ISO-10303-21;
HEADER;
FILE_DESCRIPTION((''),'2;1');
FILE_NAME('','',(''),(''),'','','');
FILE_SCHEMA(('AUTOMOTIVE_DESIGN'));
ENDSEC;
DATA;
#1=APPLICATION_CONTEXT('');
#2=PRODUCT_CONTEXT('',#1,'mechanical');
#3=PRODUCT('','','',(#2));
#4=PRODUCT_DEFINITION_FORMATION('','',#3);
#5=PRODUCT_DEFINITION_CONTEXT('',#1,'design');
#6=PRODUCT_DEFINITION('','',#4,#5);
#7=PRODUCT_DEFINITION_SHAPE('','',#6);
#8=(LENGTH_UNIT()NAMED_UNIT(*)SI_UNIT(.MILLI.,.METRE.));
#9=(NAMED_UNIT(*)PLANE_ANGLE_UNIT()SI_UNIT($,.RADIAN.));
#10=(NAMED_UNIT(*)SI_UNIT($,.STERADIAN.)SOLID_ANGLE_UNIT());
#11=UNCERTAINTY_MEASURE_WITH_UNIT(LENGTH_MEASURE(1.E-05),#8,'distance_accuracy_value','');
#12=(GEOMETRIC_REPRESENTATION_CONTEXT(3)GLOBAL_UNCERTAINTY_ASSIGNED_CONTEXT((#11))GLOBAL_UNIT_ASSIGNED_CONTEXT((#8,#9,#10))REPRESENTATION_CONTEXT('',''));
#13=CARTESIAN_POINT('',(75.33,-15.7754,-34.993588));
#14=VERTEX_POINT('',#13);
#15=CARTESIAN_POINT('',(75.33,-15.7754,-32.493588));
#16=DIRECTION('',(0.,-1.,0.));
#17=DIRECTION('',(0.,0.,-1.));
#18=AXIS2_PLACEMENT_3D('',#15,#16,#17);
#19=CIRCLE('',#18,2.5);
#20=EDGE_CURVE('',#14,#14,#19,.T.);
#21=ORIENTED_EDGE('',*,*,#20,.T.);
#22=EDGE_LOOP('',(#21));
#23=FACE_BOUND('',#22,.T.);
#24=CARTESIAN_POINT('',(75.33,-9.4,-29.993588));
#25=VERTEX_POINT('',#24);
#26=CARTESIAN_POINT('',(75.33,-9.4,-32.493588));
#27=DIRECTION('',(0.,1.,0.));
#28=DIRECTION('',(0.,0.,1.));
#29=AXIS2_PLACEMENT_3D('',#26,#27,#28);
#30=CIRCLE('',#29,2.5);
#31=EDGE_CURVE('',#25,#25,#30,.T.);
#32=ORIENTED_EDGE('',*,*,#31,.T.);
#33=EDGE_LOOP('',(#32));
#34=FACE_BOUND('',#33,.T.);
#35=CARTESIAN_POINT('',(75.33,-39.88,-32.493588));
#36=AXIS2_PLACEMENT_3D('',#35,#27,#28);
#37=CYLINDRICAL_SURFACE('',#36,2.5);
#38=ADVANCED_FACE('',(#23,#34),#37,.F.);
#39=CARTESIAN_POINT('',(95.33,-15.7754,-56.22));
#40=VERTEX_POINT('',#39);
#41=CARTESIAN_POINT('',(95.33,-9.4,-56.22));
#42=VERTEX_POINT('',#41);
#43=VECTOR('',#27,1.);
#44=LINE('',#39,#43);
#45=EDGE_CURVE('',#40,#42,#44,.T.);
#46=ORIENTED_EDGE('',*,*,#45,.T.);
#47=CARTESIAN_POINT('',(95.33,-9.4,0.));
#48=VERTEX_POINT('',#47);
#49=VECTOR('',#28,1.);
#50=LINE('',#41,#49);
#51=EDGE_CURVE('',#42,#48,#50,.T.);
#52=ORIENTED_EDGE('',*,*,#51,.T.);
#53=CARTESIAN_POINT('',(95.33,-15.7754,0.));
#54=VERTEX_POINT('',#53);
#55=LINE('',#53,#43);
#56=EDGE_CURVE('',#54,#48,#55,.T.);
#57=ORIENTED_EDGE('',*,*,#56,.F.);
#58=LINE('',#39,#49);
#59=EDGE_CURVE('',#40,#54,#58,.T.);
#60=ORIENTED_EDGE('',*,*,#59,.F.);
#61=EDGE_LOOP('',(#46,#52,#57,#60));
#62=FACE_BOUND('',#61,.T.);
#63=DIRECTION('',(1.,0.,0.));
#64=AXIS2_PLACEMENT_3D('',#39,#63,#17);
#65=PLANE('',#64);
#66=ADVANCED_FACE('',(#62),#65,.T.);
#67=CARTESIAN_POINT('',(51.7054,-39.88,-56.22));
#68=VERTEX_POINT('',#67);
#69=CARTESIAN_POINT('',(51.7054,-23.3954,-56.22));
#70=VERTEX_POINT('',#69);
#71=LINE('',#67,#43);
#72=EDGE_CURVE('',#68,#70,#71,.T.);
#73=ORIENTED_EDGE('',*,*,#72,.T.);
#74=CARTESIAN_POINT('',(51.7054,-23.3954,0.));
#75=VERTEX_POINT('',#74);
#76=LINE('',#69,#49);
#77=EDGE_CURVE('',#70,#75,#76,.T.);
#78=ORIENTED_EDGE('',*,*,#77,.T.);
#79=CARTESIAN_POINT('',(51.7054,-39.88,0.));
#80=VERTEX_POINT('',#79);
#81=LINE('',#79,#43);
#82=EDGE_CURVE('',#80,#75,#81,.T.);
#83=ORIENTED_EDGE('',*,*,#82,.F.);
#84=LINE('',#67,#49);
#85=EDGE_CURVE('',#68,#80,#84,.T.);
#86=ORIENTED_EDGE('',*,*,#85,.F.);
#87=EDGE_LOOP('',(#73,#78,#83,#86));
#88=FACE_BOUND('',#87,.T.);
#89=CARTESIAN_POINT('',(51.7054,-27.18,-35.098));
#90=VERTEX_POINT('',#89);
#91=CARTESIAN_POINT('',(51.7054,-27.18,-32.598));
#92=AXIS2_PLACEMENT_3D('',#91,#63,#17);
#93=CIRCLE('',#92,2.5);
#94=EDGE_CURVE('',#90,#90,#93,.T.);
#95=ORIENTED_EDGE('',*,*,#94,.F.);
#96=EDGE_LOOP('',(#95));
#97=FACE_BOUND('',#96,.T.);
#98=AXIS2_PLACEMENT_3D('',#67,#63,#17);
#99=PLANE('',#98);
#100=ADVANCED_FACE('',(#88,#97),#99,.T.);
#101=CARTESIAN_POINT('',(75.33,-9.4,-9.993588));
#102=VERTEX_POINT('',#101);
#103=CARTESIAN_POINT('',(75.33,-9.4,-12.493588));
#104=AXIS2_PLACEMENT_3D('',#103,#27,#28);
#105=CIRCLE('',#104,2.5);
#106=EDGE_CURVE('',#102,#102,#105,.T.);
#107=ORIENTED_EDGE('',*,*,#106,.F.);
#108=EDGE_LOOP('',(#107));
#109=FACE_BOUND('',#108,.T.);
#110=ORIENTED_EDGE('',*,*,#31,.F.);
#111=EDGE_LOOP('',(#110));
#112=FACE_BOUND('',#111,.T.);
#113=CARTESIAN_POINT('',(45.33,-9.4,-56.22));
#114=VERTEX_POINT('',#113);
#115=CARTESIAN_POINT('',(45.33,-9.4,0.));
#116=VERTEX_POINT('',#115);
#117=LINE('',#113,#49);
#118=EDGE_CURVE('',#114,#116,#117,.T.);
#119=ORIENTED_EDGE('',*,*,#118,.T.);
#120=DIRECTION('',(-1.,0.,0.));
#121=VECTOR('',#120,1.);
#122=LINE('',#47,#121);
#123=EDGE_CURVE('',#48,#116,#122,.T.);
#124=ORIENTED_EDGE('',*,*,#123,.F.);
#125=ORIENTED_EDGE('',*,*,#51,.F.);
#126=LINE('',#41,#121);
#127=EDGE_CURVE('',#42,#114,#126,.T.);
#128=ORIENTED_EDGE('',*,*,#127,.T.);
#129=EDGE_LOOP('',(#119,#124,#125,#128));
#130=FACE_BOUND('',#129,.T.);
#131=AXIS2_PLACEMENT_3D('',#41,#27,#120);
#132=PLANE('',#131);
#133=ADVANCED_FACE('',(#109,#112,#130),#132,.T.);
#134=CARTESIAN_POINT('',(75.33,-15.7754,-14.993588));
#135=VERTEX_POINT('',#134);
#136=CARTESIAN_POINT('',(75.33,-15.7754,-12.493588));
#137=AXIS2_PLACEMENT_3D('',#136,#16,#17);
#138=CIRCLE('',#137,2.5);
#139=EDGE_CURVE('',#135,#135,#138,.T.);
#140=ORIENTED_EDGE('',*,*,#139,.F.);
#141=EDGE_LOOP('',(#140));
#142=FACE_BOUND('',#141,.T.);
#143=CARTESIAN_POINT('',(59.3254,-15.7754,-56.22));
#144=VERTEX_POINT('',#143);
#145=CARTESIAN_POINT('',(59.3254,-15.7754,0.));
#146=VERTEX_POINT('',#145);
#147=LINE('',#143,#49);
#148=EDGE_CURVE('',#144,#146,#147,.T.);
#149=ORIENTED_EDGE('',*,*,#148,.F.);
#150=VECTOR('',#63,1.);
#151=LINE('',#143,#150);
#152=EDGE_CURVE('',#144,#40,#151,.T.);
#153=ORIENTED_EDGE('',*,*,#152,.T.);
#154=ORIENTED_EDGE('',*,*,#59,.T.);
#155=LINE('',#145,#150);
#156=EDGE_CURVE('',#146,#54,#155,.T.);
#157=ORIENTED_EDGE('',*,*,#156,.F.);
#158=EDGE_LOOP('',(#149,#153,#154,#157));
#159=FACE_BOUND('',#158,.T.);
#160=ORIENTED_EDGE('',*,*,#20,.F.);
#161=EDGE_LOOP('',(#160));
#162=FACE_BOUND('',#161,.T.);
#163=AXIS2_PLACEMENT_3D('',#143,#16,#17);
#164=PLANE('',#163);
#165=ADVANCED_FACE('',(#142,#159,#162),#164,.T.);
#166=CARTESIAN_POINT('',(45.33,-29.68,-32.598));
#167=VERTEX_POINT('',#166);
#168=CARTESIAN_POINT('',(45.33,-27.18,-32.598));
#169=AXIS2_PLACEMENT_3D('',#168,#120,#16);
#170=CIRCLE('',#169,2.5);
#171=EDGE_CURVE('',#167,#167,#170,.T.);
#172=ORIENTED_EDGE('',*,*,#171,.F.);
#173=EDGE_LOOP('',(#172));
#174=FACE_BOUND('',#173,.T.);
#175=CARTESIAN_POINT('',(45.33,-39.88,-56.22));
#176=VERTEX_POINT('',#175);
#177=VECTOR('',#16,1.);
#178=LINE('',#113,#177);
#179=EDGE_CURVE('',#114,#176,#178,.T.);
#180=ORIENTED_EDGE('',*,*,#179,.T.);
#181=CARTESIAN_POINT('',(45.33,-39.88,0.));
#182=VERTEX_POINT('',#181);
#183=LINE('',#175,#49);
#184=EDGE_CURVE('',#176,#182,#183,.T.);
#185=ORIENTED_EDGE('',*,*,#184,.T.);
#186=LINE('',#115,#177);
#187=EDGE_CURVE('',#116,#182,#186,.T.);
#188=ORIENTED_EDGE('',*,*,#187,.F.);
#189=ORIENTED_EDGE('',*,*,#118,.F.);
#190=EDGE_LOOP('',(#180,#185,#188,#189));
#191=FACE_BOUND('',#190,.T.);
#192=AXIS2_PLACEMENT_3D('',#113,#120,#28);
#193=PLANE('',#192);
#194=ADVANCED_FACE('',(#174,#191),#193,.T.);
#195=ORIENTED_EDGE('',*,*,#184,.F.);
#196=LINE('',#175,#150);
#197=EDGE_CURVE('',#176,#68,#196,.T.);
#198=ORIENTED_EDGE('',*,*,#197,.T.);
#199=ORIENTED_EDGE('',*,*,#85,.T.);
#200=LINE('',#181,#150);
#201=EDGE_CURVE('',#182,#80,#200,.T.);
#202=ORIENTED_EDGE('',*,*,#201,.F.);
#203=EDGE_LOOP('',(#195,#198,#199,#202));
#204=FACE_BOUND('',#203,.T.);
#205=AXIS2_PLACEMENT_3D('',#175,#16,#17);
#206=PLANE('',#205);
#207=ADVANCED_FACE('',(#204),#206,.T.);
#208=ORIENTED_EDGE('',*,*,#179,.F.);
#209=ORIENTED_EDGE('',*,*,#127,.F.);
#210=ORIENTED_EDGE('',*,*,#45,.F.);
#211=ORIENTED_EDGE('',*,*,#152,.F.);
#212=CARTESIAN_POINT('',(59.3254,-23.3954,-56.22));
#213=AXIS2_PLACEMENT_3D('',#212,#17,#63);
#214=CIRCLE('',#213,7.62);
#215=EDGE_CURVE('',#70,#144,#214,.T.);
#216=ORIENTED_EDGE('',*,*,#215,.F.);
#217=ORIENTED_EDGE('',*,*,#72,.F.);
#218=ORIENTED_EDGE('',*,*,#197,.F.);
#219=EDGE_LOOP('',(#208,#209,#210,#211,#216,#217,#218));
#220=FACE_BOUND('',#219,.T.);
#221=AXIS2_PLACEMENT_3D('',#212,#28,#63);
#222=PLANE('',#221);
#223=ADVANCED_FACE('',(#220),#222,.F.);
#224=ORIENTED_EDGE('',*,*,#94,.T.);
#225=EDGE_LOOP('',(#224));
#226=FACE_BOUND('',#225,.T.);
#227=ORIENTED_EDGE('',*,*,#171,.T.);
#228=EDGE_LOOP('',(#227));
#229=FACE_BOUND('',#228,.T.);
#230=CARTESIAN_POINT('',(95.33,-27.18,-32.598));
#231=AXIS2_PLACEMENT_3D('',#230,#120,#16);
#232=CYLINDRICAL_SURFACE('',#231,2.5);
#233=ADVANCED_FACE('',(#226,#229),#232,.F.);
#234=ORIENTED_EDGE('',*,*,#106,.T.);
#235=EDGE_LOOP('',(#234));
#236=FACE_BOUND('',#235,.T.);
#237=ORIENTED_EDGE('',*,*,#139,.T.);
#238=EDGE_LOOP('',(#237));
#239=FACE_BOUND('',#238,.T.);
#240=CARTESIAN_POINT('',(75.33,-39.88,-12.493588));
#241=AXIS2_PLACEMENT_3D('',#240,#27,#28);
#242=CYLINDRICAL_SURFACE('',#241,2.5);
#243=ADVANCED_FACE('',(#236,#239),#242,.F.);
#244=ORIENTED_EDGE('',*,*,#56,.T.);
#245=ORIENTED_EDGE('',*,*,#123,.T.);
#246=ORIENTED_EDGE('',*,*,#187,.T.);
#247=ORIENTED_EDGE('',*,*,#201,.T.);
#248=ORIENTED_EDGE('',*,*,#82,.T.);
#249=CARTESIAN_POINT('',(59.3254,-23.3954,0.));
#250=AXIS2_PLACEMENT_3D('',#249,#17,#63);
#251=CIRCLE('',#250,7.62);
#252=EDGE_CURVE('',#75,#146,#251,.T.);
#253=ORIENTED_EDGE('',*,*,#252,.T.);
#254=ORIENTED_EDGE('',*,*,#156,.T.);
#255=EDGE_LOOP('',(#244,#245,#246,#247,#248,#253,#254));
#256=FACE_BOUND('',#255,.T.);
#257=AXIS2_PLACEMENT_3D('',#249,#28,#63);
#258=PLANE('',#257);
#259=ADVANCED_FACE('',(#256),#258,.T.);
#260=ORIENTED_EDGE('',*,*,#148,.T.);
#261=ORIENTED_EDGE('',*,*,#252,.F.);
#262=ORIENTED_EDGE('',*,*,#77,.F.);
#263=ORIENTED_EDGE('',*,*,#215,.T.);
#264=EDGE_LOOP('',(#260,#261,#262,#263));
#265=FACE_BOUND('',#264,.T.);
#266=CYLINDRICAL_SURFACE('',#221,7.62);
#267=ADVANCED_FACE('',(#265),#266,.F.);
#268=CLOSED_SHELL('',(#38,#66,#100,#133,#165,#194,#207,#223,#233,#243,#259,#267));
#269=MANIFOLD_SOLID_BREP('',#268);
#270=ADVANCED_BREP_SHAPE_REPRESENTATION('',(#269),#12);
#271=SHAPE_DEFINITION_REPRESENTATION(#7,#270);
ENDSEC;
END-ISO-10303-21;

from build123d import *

# Parameters (mm, degrees)
BOSS_EXTRUDE1_DEPTH = 56.22
SKETCH2_R           = 2.5
CUT_EXTRUDE1_DEPTH  = 31.48
SKETCH4_R           = 2.5
CUT_EXTRUDE2_DEPTH  = 51


with BuildPart() as part:
    # Sketch1 → Boss-Extrude1 (new body)
    with BuildSketch(Plane.XY):
        with BuildLine():
            Line((45.33, -9.4), (45.33, -39.88))
            Line((45.33, -39.88), (51.7054, -39.88))
            Line((51.7054, -39.88), (51.7054, -23.3954))
            ThreePointArc((51.7054, -23.3954), (53.937246327, -18.007246327), (59.3254, -15.7754))
            Line((59.3254, -15.7754), (95.33, -15.7754))
            Line((95.33, -15.7754), (95.33, -9.4))
            Line((95.33, -9.4), (45.33, -9.4))
        make_face()
    extrude(amount=-BOSS_EXTRUDE1_DEPTH)

    # Sketch2 → Cut-Extrude1 (cut, through all)
    with BuildSketch(Plane(origin=(0, -9.4, 0), x_dir=(1, 0, 0), z_dir=(0, 1, 0))):
        with Locations((75.33, 12.493588432)):
            Circle(SKETCH2_R)
        with Locations((75.33, 32.493588432)):
            Circle(SKETCH2_R)
    extrude(amount=-CUT_EXTRUDE1_DEPTH, mode=Mode.SUBTRACT)

    # Sketch4 → Cut-Extrude2 (cut, through all)
    with BuildSketch(Plane.ZY.offset(-45.33)):
        with Locations((-32.598, -27.18)):
            Circle(SKETCH4_R)
    extrude(amount=-CUT_EXTRUDE2_DEPTH, mode=Mode.SUBTRACT)


solid = part.part
